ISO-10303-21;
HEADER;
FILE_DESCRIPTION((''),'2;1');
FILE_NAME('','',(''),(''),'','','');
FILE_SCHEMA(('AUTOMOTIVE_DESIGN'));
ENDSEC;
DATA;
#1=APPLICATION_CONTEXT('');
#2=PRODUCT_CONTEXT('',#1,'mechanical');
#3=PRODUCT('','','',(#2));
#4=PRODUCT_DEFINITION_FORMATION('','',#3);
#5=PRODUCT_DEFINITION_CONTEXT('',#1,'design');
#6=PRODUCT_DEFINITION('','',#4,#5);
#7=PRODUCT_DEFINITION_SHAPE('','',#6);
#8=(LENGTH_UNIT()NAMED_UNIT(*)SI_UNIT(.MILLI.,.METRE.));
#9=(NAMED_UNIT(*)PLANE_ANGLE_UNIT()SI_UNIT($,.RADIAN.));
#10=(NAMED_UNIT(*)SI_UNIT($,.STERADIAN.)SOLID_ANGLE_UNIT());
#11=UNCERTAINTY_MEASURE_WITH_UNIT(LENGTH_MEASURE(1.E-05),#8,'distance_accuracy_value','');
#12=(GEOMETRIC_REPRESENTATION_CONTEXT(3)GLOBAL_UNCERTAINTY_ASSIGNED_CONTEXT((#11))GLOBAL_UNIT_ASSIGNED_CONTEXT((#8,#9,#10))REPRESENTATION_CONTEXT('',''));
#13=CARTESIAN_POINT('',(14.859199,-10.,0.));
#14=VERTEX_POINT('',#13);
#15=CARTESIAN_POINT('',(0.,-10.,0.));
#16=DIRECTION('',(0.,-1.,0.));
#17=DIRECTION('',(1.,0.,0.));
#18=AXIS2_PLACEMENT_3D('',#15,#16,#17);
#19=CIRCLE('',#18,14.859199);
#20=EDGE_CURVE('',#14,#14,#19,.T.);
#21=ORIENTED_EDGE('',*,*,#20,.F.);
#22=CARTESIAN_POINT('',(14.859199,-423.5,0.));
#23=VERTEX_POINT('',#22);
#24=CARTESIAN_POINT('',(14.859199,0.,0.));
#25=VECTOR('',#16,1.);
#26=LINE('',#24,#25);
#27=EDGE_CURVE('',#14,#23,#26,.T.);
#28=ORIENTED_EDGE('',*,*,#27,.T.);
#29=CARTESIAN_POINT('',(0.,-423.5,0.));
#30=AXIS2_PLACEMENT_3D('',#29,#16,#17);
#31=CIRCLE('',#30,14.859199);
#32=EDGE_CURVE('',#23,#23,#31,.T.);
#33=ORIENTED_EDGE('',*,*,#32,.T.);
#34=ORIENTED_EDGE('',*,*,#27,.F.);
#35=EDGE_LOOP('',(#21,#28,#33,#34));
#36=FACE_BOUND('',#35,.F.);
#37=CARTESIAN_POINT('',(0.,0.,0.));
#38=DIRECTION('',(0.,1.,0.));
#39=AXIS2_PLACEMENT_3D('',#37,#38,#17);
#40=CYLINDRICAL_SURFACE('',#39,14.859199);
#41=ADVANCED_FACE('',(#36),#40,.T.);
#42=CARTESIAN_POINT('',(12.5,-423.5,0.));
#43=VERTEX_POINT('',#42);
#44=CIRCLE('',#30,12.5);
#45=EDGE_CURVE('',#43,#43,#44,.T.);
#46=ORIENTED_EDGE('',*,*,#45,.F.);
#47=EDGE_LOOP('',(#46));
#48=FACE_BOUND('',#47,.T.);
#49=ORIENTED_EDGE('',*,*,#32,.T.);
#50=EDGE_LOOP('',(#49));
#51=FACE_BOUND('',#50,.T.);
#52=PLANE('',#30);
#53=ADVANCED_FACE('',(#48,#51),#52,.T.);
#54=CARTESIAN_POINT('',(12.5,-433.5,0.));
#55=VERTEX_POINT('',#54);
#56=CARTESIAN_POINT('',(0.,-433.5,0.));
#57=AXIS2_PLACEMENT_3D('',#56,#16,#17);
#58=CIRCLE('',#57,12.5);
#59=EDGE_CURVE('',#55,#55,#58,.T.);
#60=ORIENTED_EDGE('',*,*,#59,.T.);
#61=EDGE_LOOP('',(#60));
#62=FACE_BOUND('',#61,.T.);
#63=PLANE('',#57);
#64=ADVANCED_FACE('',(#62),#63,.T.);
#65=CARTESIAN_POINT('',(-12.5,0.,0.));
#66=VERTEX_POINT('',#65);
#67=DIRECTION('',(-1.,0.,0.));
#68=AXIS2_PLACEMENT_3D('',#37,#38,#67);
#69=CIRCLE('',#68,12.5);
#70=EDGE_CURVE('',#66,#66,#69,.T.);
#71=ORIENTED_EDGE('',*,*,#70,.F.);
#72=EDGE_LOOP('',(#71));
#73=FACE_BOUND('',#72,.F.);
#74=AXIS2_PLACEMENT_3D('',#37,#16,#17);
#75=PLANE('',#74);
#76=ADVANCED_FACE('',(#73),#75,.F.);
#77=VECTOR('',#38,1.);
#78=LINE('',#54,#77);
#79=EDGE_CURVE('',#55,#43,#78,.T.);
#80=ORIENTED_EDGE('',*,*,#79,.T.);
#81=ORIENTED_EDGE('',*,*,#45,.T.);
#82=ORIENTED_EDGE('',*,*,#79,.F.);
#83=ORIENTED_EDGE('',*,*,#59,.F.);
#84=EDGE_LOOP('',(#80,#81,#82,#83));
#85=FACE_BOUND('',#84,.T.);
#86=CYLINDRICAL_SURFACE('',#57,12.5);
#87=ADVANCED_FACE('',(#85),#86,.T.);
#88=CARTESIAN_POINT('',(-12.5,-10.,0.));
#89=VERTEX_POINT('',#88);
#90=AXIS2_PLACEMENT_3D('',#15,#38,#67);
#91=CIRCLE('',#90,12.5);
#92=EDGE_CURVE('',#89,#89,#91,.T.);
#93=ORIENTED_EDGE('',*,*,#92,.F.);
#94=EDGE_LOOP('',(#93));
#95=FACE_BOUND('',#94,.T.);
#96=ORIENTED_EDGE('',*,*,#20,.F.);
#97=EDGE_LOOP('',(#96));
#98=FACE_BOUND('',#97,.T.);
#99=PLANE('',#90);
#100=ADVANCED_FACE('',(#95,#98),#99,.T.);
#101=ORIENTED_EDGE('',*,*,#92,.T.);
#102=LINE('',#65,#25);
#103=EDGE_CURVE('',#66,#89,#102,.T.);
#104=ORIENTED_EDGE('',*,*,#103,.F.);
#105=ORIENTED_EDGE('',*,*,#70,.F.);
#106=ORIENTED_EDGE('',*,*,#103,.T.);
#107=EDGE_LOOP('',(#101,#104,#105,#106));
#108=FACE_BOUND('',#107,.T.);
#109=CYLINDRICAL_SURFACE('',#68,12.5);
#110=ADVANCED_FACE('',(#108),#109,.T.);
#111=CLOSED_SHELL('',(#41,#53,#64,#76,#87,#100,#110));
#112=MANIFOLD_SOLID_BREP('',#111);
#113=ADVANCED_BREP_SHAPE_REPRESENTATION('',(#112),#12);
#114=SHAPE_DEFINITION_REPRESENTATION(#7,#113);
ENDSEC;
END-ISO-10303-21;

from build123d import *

# Parameters (mm, degrees)
F0_R     = 14.859199
F1_DEPTH = 433.5
F2_R     = 14.859199
F2_R_2   = 12.5
F3_DEPTH = 10
F4_R     = 14.859199
F4_R_2   = 12.5
F5_DEPTH = 10


with BuildPart() as f1:
    # F0 (on Front) → F1 (new body)
    with BuildSketch(Plane.XZ):
        Circle(F0_R)
    extrude(amount=F1_DEPTH)

    # F2 (on face) → F3 (cut)
    with BuildSketch(Plane(origin=(0, 0, 0), x_dir=(-1, 0, 0), z_dir=(0, 1, 0))):
        Circle(F2_R)
        Circle(F2_R_2, mode=Mode.SUBTRACT)
    extrude(amount=-F3_DEPTH, mode=Mode.SUBTRACT)

    # F4 (on face) → F5 (cut)
    with BuildSketch(Plane.XZ.offset(433.5)):
        Circle(F4_R)
        Circle(F4_R_2, mode=Mode.SUBTRACT)
    extrude(amount=-F5_DEPTH, mode=Mode.SUBTRACT)


solid = f1.part
